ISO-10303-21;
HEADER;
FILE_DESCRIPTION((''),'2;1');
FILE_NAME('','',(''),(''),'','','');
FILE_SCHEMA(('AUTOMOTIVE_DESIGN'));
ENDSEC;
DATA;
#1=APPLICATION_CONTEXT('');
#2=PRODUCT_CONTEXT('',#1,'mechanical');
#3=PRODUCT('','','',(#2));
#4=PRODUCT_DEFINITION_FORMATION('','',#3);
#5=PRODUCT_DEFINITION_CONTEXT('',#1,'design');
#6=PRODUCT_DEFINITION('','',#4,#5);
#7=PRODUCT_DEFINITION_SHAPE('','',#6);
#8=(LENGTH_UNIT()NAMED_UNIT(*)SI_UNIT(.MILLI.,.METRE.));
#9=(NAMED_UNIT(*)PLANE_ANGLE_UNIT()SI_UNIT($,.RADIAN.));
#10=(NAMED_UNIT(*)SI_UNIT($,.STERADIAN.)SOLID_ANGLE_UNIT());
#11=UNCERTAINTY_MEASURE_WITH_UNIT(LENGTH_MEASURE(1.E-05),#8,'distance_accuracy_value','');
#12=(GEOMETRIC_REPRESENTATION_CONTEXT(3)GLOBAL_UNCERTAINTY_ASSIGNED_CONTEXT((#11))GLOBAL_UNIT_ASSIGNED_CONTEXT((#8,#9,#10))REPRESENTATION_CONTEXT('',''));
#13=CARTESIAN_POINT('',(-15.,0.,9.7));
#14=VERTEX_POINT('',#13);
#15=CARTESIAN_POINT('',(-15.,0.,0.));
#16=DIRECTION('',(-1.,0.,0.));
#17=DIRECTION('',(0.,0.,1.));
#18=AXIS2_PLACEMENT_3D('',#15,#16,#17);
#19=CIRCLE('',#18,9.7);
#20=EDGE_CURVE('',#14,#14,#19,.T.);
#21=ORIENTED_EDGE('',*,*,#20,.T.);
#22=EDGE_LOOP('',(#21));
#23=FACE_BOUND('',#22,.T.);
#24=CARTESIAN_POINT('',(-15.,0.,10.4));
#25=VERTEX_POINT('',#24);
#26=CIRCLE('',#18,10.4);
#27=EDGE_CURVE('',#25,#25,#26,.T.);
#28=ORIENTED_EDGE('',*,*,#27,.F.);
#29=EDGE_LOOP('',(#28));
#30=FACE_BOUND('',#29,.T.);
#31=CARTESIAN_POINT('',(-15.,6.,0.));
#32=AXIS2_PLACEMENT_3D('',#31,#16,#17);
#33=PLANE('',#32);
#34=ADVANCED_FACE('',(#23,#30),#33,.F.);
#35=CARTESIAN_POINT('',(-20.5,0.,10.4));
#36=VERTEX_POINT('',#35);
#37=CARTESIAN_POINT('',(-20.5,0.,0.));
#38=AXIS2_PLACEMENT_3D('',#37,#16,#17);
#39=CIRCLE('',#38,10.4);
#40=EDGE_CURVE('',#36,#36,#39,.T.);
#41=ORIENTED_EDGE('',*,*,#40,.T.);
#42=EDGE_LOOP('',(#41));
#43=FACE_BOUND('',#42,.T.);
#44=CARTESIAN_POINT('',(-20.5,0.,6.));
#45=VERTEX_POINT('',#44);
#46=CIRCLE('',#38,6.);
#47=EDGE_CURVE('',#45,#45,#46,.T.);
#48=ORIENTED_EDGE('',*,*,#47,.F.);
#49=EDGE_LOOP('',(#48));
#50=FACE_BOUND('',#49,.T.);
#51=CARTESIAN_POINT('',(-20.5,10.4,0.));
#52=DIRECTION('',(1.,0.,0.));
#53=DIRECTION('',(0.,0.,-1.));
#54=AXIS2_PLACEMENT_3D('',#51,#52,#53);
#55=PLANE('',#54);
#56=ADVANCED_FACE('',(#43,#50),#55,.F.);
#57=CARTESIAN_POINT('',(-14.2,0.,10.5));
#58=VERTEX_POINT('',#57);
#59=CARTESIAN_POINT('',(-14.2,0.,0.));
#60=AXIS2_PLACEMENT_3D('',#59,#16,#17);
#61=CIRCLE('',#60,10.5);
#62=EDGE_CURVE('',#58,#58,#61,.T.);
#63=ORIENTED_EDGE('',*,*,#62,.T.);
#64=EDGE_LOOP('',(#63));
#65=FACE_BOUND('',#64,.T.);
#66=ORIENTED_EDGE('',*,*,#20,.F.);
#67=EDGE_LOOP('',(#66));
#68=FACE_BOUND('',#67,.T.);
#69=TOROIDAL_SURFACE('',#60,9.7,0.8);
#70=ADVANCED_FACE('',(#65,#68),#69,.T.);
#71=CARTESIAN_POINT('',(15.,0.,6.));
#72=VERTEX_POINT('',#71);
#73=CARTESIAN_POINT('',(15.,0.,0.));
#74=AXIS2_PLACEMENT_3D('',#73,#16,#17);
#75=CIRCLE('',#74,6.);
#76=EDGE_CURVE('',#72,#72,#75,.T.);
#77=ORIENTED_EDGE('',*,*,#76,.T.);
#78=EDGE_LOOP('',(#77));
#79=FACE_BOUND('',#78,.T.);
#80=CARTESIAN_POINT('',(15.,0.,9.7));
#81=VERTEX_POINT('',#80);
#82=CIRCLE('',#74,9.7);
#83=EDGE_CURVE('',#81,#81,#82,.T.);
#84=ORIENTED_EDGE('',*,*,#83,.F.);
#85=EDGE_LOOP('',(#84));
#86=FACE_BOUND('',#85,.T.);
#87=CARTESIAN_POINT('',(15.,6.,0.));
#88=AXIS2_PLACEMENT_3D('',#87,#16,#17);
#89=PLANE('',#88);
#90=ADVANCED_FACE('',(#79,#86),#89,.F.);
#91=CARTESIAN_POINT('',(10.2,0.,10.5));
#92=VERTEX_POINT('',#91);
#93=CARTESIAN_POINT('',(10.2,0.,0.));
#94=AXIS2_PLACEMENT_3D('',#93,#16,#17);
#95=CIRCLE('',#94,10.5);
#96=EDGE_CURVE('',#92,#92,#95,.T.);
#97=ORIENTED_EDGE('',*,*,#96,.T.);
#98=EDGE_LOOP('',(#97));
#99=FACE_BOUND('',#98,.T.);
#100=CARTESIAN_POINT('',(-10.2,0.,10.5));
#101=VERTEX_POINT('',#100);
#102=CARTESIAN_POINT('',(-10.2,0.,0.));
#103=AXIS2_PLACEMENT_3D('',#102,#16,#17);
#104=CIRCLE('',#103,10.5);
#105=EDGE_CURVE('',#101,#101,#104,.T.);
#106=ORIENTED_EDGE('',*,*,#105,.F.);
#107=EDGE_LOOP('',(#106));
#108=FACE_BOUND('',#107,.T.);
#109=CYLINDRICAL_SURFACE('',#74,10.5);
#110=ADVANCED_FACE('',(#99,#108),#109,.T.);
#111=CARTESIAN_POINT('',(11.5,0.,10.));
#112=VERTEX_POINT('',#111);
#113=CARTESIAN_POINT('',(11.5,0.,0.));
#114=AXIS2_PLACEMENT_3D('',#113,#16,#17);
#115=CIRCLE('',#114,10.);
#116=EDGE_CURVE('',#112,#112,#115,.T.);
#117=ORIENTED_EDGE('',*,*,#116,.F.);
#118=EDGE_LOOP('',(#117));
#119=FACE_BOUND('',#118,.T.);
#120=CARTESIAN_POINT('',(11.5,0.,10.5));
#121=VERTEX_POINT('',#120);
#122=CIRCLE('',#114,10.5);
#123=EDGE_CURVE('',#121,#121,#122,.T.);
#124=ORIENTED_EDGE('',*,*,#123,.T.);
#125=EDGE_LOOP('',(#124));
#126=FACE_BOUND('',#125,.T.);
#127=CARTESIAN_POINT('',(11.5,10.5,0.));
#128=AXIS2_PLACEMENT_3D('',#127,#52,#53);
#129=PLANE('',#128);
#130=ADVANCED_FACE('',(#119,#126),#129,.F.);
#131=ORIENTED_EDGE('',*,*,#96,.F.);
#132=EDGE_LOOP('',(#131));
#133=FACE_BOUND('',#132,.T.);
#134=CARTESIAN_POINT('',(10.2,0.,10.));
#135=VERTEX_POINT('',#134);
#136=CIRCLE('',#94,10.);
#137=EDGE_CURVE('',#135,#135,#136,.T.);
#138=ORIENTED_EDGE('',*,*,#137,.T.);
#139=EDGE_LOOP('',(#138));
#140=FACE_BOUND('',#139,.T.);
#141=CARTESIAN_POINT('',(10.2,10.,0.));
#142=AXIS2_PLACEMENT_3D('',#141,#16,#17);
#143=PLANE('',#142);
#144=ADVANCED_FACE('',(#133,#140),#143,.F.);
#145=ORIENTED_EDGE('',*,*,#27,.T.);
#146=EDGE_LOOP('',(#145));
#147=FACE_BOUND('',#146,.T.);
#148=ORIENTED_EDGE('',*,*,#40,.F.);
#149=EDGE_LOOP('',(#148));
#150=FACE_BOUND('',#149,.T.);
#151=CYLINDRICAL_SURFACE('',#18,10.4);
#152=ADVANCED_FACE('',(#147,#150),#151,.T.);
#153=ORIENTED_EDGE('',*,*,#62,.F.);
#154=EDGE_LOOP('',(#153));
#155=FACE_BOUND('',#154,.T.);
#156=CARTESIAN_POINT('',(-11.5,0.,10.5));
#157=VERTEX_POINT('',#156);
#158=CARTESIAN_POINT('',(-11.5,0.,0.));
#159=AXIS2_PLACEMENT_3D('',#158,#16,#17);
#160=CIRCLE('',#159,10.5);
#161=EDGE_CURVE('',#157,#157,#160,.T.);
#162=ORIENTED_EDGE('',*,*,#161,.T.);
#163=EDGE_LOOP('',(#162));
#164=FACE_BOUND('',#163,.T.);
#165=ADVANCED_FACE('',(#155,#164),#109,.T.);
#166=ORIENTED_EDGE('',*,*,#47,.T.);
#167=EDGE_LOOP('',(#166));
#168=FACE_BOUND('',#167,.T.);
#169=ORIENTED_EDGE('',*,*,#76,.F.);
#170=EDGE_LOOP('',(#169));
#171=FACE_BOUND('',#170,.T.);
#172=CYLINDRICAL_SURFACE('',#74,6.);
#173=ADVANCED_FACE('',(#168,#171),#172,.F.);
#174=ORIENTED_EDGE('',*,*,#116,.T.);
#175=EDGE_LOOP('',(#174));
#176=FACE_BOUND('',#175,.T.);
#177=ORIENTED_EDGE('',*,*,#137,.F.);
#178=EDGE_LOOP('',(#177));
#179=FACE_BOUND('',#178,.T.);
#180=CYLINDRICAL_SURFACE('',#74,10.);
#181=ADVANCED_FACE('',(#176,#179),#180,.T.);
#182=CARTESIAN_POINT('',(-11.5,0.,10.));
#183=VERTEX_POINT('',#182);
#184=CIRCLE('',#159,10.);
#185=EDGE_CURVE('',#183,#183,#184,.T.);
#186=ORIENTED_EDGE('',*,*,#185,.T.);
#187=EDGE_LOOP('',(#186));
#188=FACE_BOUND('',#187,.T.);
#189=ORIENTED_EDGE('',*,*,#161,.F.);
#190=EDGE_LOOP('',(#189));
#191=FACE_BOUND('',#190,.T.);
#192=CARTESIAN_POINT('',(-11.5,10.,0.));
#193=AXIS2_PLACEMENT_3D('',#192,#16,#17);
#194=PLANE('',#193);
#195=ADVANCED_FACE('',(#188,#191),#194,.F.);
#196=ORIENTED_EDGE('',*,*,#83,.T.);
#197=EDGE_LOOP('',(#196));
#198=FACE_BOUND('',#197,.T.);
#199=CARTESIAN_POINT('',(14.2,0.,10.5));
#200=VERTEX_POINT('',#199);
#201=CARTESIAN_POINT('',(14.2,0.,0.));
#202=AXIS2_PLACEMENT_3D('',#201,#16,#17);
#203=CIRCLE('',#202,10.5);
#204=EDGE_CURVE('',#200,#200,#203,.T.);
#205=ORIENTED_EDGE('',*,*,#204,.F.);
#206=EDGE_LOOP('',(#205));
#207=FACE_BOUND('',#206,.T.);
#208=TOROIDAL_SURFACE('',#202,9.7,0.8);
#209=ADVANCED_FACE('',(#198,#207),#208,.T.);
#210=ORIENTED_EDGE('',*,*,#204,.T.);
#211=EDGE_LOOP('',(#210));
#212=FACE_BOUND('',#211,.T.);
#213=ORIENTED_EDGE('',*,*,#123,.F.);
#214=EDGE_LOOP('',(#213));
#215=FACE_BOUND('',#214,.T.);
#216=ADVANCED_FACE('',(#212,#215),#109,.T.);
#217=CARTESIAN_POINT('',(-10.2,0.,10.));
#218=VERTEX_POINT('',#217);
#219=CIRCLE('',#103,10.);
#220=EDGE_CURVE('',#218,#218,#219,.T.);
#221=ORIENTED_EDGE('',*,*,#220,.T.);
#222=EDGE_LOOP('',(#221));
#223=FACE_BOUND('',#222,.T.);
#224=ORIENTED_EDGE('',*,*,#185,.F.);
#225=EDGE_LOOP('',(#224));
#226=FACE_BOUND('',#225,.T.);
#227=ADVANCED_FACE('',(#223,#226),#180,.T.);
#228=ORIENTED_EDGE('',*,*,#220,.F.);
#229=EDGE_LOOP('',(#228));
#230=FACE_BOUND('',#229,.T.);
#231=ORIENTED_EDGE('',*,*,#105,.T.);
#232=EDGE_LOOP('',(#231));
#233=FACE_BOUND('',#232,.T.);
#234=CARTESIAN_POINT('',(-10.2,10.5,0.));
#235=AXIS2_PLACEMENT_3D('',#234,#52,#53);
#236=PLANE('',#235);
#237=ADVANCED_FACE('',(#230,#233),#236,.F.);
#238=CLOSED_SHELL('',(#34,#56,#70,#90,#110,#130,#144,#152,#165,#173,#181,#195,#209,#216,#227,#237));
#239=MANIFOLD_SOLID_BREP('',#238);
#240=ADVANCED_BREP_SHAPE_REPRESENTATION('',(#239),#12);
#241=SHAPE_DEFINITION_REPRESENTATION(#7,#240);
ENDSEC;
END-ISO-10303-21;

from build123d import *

# Parameters (mm, degrees)
SKETCH2_W = 5.5
SKETCH2_H = 4.4


with BuildPart() as part:
    # Sketch1 → Revolve1 (revolve)
    with BuildSketch(Plane.XY, mode=Mode.PRIVATE) as revolve1_sk:
        with BuildLine():
            Line((-15, 9.7), (-15, 6))
            Line((-15, 6), (15, 6))
            Line((15, 6), (15, 9.7))
            ThreePointArc((15, 9.7), (14.765685425, 10.265685425), (14.2, 10.5))
            Line((14.2, 10.5), (11.5, 10.5))
            Line((11.5, 10.5), (11.5, 10))
            Line((11.5, 10), (10.2, 10))
            Line((10.2, 10), (10.2, 10.5))
            Line((10.2, 10.5), (-10.2, 10.5))
            Line((-10.2, 10.5), (-10.2, 10))
            Line((-10.2, 10), (-11.5, 10))
            Line((-11.5, 10), (-11.5, 10.5))
            Line((-11.5, 10.5), (-14.2, 10.5))
            ThreePointArc((-14.2, 10.5), (-14.765685425, 10.265685425), (-15, 9.7))
        make_face()
    revolve(revolve1_sk.sketch.rotate(Axis((15, 0, 0), (-1, 0, 0)), 270), axis=Axis((15, 0, 0), (-1, 0, 0)))

    # Sketch2 → Revolve2 (revolve)
    with BuildSketch(Plane.XY, mode=Mode.PRIVATE) as revolve2_sk:
        with Locations((-17.75, 8.2)):
            Rectangle(SKETCH2_W, SKETCH2_H)
    revolve(revolve2_sk.sketch.rotate(Axis((-15, 0, 0), (-1, 0, 0)), 270), axis=Axis((-15, 0, 0), (-1, 0, 0)))


solid = part.part
